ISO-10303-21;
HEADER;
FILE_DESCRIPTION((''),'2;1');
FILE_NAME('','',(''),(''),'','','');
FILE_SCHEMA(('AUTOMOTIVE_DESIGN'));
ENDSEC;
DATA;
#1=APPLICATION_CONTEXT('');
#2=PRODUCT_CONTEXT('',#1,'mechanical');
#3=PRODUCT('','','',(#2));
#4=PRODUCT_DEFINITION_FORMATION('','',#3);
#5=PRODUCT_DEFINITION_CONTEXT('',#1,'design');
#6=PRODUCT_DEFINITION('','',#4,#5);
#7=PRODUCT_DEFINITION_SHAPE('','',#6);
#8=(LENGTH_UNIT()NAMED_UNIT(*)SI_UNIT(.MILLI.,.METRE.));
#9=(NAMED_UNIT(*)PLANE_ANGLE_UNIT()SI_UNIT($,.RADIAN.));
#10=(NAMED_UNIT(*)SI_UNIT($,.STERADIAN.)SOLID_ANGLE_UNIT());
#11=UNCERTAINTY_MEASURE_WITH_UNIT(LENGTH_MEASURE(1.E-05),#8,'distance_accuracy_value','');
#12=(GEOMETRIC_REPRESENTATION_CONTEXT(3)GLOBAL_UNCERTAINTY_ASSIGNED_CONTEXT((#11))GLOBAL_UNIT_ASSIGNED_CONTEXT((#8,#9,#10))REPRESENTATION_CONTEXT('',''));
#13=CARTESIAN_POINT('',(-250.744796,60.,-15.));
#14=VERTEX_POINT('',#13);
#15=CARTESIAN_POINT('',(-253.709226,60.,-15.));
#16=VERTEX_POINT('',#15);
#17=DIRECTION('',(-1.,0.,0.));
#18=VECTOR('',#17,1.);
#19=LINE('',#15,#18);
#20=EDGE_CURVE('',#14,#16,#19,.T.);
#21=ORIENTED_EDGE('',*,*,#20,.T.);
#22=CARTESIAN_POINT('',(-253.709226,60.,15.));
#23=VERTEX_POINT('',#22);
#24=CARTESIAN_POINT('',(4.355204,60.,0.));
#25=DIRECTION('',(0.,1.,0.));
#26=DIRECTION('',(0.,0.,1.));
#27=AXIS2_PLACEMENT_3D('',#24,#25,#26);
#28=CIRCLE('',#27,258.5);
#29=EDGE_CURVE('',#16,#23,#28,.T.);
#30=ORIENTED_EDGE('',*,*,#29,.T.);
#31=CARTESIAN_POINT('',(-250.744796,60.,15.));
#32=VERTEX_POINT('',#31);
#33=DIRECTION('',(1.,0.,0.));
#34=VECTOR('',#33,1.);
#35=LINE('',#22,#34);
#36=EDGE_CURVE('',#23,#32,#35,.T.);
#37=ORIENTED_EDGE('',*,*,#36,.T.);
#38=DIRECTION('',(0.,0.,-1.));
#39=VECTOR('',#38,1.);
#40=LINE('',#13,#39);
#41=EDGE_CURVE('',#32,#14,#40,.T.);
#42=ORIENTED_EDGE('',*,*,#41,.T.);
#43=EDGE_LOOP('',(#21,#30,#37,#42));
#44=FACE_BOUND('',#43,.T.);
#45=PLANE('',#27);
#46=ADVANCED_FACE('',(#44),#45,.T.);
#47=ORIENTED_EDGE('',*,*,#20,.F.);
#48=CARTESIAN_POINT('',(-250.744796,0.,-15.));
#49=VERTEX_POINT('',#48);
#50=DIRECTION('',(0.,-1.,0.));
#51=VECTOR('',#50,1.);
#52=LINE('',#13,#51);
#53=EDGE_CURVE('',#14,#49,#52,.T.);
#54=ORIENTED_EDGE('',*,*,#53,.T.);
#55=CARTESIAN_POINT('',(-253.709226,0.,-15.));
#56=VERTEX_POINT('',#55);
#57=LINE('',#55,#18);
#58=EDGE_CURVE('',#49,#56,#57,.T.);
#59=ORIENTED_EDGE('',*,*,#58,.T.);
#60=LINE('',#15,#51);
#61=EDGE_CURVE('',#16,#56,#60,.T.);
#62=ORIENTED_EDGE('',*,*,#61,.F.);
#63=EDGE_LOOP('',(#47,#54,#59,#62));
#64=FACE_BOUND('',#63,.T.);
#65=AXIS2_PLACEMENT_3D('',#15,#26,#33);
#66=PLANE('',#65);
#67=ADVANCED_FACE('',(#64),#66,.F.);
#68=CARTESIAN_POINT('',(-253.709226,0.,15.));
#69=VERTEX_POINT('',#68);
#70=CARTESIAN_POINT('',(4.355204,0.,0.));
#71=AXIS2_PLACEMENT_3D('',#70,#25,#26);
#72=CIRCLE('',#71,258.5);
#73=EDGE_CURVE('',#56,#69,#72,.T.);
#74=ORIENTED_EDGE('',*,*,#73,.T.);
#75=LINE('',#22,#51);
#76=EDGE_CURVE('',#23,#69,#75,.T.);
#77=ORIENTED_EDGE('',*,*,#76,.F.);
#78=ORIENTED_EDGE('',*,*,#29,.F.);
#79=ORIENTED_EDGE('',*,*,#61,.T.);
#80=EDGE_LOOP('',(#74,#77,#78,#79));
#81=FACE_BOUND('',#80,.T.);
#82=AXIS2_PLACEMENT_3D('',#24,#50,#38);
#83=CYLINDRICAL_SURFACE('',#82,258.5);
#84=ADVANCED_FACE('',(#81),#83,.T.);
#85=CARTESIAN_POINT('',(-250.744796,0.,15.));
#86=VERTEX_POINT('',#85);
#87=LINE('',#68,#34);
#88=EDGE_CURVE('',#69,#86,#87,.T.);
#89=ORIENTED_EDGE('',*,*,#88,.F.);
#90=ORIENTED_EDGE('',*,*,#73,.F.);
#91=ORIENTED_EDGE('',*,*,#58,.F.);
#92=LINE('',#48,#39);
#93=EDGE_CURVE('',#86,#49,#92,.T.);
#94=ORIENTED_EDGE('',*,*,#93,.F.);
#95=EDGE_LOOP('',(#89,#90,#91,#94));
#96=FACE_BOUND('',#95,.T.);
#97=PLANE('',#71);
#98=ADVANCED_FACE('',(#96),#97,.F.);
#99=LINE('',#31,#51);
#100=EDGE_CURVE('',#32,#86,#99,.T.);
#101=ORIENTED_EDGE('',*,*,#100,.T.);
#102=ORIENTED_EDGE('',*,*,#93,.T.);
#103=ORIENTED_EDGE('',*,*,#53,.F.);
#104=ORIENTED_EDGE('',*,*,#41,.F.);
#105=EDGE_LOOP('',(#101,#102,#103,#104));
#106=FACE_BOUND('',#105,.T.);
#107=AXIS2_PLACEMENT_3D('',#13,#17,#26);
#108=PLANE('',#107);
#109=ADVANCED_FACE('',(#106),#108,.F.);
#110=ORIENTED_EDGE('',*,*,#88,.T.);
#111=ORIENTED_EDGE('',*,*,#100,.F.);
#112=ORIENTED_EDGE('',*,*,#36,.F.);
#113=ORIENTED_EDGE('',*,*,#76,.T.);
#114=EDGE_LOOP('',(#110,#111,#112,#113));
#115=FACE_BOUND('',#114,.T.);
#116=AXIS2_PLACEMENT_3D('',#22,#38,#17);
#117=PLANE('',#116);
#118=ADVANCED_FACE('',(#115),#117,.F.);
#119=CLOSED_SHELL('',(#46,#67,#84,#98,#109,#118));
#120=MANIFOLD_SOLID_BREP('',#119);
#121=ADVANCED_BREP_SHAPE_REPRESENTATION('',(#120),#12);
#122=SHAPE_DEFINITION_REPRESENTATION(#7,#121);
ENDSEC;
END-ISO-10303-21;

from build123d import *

# Parameters (mm, degrees)
EXTRUDE_1_DEPTH = 60


with BuildPart() as part:
    # 草图1 → 凸台-拉伸1 (new body)
    with BuildSketch(Plane(origin=(0, 0, 0), x_dir=(1, 0, 0), z_dir=(0, 1, 0))):
        with BuildLine():
            Line((-253.709225605, 15), (-250.744795665, 15))
            Line((-250.744795665, 15), (-250.744795665, -15))
            Line((-250.744795665, -15), (-253.709225605, -15))
            ThreePointArc((-253.709225605, -15), (-254.144795665, 0), (-253.709225605, 15))
        make_face()
    extrude(amount=EXTRUDE_1_DEPTH)


solid = part.part
